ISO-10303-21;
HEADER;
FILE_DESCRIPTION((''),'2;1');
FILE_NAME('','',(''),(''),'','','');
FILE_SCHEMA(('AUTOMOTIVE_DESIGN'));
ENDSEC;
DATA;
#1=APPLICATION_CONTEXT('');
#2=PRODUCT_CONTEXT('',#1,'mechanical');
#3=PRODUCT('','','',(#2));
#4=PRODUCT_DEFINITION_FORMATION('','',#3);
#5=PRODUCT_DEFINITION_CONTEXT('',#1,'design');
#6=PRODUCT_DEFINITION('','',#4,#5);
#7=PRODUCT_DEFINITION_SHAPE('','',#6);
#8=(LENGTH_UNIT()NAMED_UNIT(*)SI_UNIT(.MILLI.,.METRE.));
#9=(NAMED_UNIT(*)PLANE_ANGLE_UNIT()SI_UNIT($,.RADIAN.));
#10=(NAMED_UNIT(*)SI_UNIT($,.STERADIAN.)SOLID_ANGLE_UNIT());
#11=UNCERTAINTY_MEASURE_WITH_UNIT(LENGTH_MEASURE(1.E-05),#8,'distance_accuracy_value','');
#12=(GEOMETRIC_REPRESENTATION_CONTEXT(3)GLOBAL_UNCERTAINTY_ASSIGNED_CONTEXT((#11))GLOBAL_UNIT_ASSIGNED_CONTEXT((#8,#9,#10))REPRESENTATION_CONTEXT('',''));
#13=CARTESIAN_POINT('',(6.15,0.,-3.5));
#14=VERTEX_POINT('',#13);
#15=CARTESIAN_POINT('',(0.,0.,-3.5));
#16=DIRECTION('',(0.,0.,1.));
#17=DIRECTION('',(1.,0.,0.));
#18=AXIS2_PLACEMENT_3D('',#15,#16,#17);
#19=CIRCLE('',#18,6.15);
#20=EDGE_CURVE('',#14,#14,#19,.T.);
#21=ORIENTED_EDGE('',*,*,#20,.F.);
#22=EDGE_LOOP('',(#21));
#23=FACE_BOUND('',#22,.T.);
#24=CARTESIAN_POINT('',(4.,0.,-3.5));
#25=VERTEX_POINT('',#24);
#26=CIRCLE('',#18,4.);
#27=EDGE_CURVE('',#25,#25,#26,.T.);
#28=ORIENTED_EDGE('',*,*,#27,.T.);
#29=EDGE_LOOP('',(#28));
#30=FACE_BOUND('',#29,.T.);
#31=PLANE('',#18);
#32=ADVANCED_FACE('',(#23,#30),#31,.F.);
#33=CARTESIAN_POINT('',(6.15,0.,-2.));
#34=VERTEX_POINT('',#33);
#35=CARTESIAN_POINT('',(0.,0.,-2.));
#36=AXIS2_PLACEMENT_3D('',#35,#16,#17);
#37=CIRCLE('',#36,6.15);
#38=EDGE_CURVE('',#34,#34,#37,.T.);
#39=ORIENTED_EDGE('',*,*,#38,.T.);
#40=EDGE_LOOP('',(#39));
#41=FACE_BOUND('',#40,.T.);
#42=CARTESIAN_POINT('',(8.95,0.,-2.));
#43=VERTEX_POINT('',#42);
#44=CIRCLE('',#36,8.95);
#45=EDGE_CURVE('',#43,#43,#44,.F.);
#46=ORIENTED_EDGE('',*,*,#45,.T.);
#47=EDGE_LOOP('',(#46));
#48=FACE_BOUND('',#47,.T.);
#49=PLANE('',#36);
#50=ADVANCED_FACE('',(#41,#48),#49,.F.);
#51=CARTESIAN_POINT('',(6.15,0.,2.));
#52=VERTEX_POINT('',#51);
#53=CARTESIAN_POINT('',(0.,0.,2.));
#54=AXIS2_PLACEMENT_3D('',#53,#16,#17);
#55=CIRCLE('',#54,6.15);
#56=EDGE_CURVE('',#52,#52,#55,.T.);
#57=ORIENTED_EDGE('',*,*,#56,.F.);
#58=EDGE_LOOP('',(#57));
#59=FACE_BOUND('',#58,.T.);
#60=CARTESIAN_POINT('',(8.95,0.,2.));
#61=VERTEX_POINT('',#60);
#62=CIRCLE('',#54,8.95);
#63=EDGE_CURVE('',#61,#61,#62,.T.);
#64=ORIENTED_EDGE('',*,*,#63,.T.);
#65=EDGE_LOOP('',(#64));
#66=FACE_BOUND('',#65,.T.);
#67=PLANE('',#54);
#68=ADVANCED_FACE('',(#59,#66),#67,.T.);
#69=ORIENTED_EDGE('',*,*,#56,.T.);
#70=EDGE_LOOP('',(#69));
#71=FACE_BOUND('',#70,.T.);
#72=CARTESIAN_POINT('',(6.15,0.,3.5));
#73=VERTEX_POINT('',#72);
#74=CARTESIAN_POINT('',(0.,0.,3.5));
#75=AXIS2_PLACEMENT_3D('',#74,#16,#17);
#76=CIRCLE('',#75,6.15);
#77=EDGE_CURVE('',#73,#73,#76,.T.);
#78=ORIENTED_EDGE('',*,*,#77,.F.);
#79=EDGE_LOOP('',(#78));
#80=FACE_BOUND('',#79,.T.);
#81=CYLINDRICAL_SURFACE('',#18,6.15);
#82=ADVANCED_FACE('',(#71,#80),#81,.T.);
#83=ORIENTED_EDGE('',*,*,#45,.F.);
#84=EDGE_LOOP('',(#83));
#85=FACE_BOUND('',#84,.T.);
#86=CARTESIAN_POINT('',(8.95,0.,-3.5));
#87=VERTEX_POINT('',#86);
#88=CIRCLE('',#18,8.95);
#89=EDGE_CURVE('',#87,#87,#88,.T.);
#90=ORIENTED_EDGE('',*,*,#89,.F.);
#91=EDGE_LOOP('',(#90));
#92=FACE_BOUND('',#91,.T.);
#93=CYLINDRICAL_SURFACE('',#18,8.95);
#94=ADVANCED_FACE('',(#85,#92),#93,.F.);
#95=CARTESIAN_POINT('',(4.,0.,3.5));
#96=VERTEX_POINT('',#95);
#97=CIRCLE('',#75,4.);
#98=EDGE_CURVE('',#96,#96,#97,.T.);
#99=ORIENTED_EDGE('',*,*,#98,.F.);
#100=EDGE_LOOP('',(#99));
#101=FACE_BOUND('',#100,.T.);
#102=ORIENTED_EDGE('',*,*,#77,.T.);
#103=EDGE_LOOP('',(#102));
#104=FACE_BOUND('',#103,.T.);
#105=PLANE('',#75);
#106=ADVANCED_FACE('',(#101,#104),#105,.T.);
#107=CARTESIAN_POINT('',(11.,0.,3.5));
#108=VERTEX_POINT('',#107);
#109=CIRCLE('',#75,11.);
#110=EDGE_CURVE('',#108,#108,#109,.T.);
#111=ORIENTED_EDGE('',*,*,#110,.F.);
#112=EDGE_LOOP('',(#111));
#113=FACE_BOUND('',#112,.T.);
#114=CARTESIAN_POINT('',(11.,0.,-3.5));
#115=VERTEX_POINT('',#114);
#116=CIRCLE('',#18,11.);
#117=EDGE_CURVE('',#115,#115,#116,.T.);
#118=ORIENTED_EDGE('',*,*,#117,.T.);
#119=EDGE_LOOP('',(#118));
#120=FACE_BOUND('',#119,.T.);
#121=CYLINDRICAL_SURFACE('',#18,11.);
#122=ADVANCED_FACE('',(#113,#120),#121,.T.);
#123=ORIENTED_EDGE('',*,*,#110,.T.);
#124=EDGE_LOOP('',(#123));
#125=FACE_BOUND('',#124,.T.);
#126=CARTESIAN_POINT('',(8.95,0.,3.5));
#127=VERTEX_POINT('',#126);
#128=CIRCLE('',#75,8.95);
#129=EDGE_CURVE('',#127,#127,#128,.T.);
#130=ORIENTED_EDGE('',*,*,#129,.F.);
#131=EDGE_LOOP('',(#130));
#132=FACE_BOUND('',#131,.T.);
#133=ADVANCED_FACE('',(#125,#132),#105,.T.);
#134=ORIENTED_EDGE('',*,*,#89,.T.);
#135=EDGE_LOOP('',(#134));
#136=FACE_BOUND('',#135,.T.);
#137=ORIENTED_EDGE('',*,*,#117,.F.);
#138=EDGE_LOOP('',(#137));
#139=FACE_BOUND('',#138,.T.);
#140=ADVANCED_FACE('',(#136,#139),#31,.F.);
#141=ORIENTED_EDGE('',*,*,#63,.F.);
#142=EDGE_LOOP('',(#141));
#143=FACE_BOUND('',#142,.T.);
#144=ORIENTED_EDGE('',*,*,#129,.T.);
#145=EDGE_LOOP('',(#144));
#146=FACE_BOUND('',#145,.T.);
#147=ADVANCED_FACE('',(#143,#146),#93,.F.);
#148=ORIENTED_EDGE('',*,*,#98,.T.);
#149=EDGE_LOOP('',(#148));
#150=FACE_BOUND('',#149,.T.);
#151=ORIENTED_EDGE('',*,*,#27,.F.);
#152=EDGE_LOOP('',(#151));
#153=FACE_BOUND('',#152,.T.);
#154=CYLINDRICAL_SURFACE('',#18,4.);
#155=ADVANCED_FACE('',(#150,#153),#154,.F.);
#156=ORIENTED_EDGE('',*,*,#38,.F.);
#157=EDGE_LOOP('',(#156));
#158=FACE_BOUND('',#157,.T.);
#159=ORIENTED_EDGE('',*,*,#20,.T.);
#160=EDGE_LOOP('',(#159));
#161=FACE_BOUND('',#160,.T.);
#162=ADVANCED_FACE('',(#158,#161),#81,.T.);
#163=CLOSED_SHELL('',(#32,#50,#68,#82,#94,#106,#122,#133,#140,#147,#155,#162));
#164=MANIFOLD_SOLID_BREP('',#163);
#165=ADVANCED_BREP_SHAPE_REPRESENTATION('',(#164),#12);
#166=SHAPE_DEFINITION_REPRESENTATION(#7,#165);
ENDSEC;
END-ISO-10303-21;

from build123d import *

# Parameters (mm, degrees)
SALIENTE_EXTRUIR1_DEPTH        = 3.5
SALIENTE_EXTRUIR1_DEPTH_BACK   = 3.5
CROQUIS1_R                     = 6.15
CROQUIS1_R_2                   = 4
SALIENTE_EXTRUIR1_2_DEPTH      = 3.5
SALIENTE_EXTRUIR1_2_DEPTH_BACK = 3.5
CROQUIS1_R_3                   = 11
CROQUIS1_R_4                   = 8.95
SALIENTE_EXTRUIR2_DEPTH        = 2
SALIENTE_EXTRUIR2_DEPTH_BACK   = 2
CROQUIS1_3_R                   = 8.95
CROQUIS1_3_R_2                 = 6.15


with BuildPart() as part:
    # Croquis1 → Saliente-Extruir1 (new, two sides: drawn at the far end of the back side and taken through both)
    with BuildSketch(Plane.XY.offset(-SALIENTE_EXTRUIR1_DEPTH_BACK)):
        Circle(CROQUIS1_R)
        Circle(CROQUIS1_R_2, mode=Mode.SUBTRACT)
    extrude(amount=SALIENTE_EXTRUIR1_DEPTH + SALIENTE_EXTRUIR1_DEPTH_BACK)



with BuildPart() as body_2:
    # Croquis1 → Saliente-Extruir1 2 (new, two sides: drawn at the far end of the back side and taken through both)
    with BuildSketch(Plane.XY.offset(-SALIENTE_EXTRUIR1_2_DEPTH_BACK)):
        Circle(CROQUIS1_R_3)
        Circle(CROQUIS1_R_4, mode=Mode.SUBTRACT)
    extrude(amount=SALIENTE_EXTRUIR1_2_DEPTH + SALIENTE_EXTRUIR1_2_DEPTH_BACK)


with BuildPart() as part_1:
    add(part.part)

    add(body_2.part)  # Saliente-Extruir2 merges body 2
    # Croquis1<3> → Saliente-Extruir2 (add, two sides: drawn at the far end of the back side and taken through both)
    with BuildSketch(Plane.XY.offset(-SALIENTE_EXTRUIR2_DEPTH_BACK)):
        Circle(CROQUIS1_3_R)
        Circle(CROQUIS1_3_R_2, mode=Mode.SUBTRACT)
    extrude(amount=SALIENTE_EXTRUIR2_DEPTH + SALIENTE_EXTRUIR2_DEPTH_BACK)


solid = part_1.part
